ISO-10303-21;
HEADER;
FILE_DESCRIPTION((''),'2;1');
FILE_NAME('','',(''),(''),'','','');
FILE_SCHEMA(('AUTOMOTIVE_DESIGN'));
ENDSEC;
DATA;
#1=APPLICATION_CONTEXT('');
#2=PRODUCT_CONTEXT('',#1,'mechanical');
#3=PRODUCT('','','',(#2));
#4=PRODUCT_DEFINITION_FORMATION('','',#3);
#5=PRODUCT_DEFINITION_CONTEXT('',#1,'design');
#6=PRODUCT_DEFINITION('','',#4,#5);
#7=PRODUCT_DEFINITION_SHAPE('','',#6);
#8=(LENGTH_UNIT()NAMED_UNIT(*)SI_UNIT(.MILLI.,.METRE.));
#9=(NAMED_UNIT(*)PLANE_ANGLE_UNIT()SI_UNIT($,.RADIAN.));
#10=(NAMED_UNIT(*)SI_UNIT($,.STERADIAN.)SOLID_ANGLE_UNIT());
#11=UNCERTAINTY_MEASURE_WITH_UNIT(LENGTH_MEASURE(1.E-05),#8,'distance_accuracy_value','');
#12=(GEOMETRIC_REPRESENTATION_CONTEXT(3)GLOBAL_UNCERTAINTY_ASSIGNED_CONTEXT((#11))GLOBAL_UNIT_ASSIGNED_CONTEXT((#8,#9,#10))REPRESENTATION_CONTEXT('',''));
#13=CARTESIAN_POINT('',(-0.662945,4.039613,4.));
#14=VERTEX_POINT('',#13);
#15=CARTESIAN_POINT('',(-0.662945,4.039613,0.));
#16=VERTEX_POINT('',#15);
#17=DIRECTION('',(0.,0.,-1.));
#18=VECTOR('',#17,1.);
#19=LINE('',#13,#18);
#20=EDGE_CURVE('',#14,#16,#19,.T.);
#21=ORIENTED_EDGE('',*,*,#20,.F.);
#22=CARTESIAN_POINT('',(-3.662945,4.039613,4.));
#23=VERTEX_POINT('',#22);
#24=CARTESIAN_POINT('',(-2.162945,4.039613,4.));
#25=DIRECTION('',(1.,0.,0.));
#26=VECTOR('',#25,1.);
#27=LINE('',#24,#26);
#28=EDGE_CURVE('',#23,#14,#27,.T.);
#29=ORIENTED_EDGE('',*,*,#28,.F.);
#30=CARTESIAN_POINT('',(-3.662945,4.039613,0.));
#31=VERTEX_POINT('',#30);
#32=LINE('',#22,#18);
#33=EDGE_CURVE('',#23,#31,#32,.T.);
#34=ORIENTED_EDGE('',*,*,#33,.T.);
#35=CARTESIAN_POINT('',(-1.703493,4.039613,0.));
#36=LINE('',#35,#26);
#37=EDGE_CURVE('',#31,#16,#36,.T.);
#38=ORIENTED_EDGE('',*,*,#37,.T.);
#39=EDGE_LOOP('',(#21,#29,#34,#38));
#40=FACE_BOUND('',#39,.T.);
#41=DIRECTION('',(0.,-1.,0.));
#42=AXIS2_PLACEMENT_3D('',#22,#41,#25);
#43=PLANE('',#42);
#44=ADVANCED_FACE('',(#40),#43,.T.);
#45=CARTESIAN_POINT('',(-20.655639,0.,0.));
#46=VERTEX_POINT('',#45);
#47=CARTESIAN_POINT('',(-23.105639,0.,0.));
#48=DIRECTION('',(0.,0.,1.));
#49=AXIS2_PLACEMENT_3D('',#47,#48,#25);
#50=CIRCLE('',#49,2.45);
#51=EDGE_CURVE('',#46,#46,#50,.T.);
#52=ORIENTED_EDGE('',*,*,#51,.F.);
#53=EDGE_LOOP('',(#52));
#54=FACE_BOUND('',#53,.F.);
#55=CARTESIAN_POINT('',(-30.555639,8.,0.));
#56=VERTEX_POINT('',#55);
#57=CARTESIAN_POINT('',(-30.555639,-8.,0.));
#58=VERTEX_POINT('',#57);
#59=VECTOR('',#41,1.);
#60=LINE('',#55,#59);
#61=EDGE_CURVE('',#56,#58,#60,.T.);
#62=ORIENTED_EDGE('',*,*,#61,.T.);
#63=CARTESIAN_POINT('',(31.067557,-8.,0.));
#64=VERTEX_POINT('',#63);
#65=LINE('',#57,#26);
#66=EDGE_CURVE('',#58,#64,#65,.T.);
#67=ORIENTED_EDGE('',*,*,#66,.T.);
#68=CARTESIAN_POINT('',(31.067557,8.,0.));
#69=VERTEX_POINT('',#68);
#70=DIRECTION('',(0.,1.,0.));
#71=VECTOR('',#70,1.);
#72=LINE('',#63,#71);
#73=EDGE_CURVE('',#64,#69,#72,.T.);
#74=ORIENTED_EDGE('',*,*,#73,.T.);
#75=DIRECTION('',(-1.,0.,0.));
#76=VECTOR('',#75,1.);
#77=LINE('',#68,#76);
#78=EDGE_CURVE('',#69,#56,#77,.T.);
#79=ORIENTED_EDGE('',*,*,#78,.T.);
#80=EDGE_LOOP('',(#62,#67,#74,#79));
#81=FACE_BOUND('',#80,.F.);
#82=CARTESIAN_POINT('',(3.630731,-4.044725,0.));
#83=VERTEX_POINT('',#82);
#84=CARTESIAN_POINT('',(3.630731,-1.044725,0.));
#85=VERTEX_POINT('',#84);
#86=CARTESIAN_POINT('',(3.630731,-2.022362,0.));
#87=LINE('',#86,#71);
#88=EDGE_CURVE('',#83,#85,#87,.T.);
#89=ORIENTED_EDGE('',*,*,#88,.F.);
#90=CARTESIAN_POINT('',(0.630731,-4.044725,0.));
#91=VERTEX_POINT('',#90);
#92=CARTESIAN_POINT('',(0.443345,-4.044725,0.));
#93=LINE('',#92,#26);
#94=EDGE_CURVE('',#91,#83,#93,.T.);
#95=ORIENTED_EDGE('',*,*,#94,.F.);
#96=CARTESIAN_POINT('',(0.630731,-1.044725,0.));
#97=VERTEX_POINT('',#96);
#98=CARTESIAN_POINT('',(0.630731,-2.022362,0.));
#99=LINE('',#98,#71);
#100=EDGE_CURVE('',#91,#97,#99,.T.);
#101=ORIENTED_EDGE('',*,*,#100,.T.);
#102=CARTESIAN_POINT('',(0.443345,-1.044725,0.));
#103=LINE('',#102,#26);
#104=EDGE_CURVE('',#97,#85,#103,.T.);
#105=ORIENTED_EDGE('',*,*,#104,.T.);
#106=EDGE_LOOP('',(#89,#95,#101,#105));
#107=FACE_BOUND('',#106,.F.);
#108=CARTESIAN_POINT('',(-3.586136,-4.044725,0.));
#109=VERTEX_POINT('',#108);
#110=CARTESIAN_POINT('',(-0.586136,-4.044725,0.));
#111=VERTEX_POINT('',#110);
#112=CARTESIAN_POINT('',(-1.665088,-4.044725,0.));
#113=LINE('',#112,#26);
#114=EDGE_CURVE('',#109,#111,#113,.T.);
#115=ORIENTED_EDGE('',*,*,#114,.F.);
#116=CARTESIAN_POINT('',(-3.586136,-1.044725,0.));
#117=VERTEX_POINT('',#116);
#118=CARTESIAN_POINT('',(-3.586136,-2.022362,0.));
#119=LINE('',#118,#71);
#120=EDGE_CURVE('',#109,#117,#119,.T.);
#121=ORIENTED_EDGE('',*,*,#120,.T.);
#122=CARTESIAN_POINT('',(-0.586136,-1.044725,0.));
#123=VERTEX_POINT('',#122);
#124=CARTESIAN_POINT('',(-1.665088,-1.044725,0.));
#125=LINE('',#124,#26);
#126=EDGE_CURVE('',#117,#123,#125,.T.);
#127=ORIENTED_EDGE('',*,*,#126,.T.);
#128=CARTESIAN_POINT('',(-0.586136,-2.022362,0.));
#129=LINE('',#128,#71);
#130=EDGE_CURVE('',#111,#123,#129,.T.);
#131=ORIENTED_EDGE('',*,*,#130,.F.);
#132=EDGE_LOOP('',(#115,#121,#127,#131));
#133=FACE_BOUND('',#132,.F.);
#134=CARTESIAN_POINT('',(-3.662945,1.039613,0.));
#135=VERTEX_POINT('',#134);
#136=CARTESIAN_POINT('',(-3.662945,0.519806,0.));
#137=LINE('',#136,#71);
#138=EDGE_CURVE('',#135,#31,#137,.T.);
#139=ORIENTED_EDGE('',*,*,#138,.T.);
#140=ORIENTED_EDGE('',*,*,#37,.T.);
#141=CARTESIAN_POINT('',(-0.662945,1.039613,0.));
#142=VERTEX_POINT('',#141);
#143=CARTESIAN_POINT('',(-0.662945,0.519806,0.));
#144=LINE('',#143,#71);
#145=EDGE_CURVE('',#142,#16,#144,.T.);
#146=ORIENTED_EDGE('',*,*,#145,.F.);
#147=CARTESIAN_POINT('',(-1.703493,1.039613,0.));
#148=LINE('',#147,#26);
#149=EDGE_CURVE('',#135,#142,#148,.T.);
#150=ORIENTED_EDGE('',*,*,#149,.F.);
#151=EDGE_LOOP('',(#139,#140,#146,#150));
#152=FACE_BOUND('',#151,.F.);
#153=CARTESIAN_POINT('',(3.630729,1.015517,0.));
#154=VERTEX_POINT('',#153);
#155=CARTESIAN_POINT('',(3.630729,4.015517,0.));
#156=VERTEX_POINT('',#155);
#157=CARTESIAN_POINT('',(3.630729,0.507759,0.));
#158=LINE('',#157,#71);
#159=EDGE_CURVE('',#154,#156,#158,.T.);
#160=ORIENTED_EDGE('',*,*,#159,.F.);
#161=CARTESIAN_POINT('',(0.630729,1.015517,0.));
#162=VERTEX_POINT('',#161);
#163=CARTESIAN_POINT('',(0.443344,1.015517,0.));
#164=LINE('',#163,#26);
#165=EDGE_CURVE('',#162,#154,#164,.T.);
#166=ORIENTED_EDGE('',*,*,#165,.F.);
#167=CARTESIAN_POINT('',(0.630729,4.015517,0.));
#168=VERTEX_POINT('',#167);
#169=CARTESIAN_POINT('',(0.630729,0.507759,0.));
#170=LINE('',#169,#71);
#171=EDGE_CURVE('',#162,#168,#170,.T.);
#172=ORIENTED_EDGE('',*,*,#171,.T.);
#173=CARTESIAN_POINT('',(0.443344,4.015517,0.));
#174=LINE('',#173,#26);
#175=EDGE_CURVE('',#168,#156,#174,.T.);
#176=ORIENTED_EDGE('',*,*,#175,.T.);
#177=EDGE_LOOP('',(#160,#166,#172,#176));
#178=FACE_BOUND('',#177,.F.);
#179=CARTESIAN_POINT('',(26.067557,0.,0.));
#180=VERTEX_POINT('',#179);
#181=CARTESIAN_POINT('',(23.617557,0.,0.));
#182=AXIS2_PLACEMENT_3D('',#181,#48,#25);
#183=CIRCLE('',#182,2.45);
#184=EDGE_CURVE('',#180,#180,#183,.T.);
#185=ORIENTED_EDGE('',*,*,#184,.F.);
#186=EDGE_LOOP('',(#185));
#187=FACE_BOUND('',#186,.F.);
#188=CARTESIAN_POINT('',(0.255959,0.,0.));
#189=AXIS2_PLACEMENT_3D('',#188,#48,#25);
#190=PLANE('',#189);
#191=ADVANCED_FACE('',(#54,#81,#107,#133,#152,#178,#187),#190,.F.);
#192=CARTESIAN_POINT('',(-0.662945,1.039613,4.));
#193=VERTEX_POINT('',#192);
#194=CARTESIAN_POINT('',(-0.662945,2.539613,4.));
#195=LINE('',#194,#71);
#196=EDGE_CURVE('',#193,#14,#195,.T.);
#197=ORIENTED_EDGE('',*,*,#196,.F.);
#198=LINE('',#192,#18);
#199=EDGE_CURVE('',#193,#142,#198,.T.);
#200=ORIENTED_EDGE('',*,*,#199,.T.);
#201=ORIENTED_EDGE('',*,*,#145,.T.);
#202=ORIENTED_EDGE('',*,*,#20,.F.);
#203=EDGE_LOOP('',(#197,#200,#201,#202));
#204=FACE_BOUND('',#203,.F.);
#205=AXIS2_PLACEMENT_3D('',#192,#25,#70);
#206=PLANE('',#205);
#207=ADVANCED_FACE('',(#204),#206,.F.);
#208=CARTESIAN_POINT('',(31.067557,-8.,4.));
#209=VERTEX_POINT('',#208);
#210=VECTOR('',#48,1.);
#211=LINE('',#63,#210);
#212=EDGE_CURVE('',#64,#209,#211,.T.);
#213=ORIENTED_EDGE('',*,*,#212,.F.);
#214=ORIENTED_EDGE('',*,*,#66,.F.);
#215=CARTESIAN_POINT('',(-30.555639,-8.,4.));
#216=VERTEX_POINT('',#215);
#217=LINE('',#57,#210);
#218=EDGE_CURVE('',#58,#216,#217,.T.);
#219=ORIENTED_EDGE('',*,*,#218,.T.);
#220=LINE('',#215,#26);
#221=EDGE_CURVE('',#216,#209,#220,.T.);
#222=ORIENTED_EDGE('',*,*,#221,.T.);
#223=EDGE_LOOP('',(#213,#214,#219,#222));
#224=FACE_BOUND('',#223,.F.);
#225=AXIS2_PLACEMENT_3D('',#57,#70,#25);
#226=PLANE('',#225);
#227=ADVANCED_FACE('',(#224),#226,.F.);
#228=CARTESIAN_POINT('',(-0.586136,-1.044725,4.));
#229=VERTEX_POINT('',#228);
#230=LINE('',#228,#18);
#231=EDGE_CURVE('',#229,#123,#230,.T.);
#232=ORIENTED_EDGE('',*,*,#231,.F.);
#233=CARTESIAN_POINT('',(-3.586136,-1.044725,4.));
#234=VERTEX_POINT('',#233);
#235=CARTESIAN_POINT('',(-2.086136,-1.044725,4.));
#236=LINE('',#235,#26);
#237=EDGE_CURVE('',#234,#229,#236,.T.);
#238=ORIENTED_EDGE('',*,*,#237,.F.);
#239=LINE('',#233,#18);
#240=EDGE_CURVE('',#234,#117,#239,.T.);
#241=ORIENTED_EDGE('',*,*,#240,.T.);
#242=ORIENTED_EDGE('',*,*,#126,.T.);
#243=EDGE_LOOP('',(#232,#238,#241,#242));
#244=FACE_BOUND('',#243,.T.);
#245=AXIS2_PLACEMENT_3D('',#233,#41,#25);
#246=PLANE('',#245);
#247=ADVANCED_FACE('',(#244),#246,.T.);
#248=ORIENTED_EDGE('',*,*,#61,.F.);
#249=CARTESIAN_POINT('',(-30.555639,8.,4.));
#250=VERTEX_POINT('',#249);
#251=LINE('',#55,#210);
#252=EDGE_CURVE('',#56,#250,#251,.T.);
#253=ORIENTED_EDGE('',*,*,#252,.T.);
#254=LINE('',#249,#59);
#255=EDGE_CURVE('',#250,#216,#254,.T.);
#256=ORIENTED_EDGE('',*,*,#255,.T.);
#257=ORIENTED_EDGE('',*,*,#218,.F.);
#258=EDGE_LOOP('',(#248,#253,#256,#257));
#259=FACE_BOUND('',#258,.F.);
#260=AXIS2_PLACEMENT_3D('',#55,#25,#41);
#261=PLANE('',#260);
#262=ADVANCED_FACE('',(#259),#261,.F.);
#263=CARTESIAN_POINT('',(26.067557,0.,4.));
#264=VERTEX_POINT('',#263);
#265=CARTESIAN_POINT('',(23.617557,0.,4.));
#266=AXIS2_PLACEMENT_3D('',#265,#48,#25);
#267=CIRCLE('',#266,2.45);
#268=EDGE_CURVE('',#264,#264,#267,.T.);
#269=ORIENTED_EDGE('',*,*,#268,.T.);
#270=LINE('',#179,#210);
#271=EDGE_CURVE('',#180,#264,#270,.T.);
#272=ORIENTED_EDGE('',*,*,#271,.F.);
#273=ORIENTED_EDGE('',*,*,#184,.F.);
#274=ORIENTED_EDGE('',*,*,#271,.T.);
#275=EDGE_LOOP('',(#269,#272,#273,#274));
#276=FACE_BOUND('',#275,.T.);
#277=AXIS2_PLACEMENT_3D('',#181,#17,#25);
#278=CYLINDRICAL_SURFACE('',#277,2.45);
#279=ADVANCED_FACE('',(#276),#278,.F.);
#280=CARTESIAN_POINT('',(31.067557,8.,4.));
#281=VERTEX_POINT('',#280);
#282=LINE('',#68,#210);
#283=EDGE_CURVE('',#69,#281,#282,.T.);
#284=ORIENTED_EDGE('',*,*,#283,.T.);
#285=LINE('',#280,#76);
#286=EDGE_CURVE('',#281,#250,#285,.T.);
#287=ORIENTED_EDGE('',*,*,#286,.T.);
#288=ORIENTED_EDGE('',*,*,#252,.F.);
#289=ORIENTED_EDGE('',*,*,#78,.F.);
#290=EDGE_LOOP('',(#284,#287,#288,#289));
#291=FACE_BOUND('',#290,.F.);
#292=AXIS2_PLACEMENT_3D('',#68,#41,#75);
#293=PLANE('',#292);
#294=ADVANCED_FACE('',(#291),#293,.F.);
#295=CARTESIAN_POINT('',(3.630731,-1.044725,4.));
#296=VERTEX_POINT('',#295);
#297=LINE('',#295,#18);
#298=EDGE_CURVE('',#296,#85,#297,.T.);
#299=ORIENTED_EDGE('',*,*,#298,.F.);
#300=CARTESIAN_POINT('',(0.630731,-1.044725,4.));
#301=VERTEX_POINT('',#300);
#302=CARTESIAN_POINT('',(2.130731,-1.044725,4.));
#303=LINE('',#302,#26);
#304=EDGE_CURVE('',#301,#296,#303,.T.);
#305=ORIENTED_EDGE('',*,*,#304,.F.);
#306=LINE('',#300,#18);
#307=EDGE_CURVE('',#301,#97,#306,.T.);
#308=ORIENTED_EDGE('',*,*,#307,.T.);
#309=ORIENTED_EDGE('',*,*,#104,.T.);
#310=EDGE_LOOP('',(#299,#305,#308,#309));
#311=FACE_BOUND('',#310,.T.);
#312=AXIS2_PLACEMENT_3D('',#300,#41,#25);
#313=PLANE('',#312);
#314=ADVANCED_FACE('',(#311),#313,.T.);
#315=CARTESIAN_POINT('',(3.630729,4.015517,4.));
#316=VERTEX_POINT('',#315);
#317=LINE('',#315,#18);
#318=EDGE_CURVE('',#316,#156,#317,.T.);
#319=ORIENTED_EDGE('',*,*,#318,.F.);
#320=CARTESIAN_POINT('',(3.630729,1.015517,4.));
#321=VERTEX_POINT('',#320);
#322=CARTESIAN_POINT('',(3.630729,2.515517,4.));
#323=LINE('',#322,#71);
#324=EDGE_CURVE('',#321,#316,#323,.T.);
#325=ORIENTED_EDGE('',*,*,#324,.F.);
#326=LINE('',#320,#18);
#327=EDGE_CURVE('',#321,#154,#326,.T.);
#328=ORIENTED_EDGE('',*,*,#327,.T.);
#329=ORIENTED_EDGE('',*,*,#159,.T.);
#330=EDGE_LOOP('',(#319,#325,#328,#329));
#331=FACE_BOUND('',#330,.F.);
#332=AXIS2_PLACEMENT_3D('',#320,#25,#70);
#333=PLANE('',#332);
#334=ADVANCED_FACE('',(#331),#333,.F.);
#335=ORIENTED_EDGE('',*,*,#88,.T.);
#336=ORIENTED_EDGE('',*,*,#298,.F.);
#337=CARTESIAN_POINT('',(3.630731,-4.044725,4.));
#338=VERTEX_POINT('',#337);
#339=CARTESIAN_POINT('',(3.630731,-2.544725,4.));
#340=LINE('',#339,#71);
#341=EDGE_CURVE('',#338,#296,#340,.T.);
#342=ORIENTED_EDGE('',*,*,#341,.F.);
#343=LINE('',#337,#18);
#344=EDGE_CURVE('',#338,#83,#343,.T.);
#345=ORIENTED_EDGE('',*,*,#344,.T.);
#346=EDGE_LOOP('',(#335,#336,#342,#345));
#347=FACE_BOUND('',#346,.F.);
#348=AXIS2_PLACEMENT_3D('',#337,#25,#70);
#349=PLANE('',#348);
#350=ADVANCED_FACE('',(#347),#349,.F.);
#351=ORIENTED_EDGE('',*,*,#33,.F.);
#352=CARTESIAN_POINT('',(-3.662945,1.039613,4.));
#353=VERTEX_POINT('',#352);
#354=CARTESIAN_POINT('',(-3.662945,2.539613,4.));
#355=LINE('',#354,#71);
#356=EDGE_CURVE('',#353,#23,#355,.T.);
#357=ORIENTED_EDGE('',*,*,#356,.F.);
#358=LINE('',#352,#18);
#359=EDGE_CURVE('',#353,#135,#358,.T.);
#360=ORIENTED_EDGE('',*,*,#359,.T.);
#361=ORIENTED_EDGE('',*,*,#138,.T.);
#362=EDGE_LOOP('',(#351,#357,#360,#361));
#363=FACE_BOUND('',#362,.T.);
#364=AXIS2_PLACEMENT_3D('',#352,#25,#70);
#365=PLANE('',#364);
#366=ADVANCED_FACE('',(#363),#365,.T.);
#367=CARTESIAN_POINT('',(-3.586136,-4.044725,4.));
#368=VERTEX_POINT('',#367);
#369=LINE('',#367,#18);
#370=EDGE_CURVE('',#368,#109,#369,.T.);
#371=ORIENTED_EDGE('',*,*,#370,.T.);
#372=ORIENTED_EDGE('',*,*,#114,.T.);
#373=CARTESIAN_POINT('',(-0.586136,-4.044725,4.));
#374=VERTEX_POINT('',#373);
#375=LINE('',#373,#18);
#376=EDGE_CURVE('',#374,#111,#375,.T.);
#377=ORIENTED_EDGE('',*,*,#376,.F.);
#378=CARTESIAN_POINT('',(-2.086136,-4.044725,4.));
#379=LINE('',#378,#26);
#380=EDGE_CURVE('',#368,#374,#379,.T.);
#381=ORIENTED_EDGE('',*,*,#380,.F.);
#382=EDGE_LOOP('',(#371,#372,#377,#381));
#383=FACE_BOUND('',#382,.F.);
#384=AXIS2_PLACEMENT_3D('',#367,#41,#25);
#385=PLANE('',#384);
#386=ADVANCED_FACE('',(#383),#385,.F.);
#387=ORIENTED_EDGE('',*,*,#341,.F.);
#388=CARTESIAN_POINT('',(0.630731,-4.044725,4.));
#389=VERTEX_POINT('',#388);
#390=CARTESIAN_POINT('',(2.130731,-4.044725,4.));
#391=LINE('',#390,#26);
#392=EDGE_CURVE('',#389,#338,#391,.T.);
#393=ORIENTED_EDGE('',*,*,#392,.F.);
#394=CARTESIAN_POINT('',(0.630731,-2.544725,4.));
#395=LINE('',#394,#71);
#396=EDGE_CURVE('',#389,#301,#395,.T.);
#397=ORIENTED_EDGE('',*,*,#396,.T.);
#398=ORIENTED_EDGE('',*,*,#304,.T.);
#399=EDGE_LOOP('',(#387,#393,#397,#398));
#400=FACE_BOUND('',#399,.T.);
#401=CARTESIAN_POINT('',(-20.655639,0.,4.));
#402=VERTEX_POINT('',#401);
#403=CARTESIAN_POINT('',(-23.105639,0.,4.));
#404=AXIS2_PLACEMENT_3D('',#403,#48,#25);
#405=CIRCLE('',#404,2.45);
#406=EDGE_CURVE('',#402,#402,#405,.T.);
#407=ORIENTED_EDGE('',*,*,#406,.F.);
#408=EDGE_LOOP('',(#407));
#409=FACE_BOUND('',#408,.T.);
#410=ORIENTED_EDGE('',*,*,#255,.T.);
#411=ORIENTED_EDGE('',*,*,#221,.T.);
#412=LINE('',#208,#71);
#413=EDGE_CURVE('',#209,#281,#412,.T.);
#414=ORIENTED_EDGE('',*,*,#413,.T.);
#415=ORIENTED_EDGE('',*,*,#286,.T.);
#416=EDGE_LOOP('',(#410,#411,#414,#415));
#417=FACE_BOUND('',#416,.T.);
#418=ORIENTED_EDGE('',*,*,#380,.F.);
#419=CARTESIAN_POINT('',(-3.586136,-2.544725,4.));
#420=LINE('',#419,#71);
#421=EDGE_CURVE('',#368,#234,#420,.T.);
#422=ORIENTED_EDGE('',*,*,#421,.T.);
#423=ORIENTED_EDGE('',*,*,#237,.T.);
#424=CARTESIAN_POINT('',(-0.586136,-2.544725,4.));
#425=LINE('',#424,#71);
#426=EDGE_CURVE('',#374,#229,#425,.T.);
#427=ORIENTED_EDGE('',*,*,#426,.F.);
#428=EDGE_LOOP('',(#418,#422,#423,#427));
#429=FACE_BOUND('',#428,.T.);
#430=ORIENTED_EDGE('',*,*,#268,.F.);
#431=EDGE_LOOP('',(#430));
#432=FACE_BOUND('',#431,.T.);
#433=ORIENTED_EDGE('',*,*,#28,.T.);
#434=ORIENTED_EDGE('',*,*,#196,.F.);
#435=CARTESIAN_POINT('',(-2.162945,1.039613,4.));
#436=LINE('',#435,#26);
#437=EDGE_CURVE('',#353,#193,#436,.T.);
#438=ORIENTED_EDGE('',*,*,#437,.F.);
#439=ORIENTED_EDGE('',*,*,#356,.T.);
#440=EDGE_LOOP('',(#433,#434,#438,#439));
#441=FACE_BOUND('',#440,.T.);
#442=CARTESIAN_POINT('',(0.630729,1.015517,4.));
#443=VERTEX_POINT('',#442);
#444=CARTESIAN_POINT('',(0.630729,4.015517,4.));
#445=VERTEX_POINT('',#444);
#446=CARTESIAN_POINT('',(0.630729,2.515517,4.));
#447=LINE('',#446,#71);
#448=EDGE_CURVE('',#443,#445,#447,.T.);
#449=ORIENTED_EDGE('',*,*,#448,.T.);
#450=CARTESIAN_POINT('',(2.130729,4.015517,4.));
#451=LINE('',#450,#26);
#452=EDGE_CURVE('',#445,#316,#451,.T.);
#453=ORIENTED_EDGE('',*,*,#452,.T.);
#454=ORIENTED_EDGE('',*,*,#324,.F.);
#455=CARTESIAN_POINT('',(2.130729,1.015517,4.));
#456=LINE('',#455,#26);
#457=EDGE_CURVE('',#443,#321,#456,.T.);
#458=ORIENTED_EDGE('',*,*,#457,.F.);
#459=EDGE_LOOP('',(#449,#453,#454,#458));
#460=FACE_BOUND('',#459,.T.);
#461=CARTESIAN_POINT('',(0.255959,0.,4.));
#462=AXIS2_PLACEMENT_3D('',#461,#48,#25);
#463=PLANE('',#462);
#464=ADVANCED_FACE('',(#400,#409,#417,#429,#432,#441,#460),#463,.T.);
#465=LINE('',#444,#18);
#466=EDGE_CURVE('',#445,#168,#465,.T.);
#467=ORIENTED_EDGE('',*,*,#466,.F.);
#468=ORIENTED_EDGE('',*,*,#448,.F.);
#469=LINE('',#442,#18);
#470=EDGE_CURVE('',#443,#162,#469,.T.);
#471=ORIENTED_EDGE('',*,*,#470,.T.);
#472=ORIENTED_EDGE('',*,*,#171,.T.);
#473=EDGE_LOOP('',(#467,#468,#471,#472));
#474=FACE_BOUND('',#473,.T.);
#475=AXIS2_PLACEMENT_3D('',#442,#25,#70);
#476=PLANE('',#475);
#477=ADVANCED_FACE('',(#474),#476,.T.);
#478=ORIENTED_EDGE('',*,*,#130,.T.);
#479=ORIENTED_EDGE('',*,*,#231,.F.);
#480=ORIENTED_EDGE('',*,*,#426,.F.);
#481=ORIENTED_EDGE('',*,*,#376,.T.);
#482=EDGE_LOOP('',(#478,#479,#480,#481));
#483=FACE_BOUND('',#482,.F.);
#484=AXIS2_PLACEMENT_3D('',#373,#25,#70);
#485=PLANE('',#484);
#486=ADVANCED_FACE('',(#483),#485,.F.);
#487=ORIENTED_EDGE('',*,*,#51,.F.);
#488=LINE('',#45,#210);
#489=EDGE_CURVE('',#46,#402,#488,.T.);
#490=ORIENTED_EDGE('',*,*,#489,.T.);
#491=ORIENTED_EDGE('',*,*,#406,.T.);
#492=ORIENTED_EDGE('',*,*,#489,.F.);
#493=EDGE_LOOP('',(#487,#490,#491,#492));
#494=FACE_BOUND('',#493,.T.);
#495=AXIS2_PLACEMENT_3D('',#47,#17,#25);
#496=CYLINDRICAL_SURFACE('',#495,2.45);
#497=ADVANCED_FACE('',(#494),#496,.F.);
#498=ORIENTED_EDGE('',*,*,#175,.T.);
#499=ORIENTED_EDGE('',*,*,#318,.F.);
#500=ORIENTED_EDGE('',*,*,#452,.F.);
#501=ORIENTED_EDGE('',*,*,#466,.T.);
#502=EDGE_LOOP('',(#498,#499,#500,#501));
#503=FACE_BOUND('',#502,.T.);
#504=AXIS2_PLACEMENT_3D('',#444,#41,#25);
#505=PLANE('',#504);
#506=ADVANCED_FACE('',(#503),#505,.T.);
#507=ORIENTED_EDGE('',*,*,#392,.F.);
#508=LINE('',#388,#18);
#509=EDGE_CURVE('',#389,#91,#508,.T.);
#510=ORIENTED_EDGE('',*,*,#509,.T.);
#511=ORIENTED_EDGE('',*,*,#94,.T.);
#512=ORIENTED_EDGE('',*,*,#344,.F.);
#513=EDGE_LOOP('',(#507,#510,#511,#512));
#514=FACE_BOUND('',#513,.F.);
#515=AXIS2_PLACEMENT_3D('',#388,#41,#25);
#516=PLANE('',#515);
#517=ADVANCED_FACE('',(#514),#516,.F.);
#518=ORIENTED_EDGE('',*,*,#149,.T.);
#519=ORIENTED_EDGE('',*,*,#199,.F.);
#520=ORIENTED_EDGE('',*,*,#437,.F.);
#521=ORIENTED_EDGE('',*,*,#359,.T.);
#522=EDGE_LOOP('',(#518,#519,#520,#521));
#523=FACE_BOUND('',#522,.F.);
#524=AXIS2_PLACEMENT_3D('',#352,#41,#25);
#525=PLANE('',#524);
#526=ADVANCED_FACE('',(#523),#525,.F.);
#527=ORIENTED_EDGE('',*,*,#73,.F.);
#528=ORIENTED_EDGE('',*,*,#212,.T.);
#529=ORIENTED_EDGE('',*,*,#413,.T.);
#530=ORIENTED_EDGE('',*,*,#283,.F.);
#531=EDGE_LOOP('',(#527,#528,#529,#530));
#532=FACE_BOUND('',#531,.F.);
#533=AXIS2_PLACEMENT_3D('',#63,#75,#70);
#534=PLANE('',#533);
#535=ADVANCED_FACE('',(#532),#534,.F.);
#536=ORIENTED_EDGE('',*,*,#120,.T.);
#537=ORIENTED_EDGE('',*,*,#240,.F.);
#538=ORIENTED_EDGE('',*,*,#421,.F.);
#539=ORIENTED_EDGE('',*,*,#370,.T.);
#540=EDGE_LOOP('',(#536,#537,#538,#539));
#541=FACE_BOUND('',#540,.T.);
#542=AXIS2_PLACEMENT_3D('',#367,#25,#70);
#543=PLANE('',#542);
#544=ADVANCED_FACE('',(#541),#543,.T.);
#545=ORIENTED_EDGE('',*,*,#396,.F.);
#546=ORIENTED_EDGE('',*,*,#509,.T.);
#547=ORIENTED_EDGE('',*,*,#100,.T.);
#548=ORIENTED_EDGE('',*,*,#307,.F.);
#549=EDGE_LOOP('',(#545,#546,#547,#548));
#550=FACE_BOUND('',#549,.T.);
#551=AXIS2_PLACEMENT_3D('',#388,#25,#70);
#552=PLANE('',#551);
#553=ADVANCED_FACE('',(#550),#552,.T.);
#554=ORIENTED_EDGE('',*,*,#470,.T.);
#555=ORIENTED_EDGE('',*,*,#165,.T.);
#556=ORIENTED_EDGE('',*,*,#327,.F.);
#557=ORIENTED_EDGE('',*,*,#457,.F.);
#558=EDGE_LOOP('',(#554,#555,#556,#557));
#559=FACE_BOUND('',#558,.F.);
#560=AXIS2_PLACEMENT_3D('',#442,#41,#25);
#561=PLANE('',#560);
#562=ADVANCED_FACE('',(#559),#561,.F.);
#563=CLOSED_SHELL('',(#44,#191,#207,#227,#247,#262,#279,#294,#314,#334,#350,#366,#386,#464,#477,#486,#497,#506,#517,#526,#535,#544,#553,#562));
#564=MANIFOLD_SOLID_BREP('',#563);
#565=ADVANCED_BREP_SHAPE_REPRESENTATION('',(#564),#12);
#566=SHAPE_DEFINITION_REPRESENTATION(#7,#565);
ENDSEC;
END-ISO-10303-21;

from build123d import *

# Parameters (mm, degrees)
F0_R     = 2.45
F1_DEPTH = 4
F2_W     = 3
F2_H     = 3
F3_DEPTH = 4.001


with BuildPart() as f1:
    # F0 (on Top) → F1 (new body)
    with BuildSketch(Plane.XY):
        Polygon((31.067557, 8), (-8.944272, 8), (-30.555639, 8), (-30.555639, -8), (-8.944272, -8), (31.067557, -8), align=None)
        with Locations((-23.105639, 0)):
            Circle(F0_R, mode=Mode.SUBTRACT)
        with Locations((23.617557, 0)):
            Circle(F0_R, mode=Mode.SUBTRACT)
    extrude(amount=F1_DEPTH)

    # F2 (on face) → F3 (cut, through all)
    with BuildSketch(Plane.XY.offset(4)):
        with Locations((-2.162945, 2.539613)):
            Rectangle(F2_W, F2_H)
        with Locations((2.130729, 2.515517)):
            Rectangle(F2_W, F2_H)
        with Locations((-2.086136, -2.544725)):
            Rectangle(F2_W, F2_H)
        with Locations((2.130731, -2.544725)):
            Rectangle(F2_W, F2_H)
    extrude(amount=-F3_DEPTH, mode=Mode.SUBTRACT)


solid = f1.part
